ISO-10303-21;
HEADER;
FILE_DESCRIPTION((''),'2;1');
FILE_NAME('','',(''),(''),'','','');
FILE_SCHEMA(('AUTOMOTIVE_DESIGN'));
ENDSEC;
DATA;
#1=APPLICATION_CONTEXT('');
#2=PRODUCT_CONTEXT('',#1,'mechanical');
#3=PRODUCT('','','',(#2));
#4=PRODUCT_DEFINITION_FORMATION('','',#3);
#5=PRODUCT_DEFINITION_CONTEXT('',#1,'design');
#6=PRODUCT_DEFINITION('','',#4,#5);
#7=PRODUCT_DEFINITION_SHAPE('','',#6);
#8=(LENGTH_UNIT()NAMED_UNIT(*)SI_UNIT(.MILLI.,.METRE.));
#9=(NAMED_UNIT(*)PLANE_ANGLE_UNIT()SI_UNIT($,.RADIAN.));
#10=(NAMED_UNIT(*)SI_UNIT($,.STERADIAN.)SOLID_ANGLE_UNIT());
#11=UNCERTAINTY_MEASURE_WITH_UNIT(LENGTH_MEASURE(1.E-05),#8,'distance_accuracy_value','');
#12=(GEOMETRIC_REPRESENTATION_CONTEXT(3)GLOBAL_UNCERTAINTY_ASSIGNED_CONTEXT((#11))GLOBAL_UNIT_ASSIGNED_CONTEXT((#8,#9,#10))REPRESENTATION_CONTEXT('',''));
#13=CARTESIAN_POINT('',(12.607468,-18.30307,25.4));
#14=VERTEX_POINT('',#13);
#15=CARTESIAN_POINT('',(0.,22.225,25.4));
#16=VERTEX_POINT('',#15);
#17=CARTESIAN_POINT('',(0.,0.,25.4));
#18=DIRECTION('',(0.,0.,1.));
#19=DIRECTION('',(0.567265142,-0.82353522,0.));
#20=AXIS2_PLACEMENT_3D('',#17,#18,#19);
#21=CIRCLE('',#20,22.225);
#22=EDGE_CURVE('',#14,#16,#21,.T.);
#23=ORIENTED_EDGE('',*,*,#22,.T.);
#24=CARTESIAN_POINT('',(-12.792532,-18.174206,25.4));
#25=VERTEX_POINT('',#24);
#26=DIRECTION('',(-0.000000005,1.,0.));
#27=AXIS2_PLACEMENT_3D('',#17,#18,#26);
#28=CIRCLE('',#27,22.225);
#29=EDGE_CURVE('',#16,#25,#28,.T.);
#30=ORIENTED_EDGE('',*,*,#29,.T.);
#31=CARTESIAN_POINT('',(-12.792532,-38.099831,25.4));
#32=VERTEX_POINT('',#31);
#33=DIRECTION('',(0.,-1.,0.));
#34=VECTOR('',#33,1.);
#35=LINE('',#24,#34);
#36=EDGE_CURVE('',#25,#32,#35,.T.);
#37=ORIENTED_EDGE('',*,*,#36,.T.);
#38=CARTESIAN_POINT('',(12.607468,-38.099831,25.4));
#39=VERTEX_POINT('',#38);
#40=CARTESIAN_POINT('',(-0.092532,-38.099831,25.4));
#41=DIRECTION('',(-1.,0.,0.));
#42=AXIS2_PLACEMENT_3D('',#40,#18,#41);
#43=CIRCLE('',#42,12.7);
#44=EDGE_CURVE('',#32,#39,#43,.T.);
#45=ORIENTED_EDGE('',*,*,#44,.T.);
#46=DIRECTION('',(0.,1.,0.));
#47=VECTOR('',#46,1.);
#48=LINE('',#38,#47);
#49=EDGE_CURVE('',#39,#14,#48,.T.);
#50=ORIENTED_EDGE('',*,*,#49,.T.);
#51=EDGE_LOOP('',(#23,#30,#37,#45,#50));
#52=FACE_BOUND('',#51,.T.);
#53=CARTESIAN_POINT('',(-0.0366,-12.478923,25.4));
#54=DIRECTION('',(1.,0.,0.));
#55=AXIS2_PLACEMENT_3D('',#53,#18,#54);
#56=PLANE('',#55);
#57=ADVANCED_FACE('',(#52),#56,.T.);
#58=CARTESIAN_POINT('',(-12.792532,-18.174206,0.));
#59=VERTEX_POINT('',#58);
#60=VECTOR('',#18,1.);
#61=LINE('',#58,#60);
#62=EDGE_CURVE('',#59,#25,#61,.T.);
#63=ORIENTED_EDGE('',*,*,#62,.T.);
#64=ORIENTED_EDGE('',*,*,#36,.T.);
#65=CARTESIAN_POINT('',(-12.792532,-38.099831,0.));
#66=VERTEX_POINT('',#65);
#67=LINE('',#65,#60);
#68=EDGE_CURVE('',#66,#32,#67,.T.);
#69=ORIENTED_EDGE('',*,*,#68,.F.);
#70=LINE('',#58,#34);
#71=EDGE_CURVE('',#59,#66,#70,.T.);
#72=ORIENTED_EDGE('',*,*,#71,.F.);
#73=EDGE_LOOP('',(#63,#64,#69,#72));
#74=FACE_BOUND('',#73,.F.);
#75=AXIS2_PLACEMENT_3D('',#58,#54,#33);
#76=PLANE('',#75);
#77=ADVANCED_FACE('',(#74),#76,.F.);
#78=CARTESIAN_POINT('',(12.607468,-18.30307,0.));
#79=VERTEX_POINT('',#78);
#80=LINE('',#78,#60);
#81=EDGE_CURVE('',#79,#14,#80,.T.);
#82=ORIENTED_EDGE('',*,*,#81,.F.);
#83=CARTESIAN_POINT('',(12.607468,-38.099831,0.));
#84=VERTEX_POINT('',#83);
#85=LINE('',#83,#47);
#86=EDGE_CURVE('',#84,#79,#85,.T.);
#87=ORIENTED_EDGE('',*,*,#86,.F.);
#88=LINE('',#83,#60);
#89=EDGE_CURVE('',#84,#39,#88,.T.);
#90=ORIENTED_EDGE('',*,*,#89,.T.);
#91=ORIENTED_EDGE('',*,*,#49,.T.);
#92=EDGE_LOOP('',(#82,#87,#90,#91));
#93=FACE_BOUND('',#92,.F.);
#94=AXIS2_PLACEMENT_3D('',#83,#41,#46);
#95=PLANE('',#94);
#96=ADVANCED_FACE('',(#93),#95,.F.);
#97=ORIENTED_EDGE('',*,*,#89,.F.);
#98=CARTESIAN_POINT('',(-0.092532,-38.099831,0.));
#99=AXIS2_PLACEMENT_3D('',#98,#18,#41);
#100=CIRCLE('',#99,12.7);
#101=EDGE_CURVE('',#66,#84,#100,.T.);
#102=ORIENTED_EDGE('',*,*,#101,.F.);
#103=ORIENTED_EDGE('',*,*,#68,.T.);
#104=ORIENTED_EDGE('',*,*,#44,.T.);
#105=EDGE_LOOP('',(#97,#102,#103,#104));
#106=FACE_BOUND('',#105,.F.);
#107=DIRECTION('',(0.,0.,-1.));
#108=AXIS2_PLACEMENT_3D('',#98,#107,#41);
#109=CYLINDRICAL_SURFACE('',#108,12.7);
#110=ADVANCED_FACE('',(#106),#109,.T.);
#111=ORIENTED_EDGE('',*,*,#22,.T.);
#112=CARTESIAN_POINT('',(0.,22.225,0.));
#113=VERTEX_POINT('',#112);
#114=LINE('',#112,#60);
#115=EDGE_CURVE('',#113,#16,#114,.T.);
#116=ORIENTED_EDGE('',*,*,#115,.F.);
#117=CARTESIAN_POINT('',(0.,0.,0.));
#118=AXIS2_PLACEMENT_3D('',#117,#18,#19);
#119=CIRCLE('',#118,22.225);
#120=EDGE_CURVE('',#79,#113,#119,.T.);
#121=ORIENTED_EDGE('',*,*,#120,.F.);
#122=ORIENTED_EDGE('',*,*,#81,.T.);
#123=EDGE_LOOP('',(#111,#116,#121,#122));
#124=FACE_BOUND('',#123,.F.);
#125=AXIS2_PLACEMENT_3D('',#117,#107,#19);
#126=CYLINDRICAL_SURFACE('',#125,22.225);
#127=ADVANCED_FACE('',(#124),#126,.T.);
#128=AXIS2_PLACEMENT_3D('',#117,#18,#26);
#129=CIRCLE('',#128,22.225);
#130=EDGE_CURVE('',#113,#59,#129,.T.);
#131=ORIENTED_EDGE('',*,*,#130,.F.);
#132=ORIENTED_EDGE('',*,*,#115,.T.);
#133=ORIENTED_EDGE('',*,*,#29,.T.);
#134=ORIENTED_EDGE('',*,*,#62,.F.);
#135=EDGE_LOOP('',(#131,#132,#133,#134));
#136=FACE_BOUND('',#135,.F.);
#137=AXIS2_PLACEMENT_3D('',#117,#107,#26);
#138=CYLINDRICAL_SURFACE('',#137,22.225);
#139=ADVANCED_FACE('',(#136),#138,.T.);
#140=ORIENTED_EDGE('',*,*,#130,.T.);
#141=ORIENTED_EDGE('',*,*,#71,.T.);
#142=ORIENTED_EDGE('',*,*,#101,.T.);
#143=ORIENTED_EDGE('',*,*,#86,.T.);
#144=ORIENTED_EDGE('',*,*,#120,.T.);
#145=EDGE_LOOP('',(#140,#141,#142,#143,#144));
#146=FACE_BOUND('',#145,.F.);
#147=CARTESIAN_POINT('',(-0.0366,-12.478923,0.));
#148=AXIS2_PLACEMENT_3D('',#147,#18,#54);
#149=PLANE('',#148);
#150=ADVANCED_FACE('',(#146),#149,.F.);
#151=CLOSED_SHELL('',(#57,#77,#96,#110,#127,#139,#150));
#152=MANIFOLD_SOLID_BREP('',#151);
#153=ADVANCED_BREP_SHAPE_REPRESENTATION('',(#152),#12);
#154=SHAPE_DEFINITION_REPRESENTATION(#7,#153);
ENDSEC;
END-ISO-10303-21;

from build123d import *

# Parameters (mm, degrees)
F1_DEPTH = 25.4


with BuildPart() as f1:
    # F0 (on Top) → F1 (new body)
    with BuildSketch(Plane.XY):
        with BuildLine():
            Line((12.607468, -38.099831), (12.607468, -18.30307))
            ThreePointArc((12.607468, -18.30307), (21.22188, 6.6017), (0, 22.225))
            ThreePointArc((0, 22.225), (-21.188114, 6.709281), (-12.792532, -18.174206))
            Line((-12.792532, -18.174206), (-12.792532, -38.099831))
            ThreePointArc((-12.792532, -38.099831), (-0.092532, -50.799831), (12.607468, -38.099831))
        make_face()
    extrude(amount=F1_DEPTH)


solid = f1.part
